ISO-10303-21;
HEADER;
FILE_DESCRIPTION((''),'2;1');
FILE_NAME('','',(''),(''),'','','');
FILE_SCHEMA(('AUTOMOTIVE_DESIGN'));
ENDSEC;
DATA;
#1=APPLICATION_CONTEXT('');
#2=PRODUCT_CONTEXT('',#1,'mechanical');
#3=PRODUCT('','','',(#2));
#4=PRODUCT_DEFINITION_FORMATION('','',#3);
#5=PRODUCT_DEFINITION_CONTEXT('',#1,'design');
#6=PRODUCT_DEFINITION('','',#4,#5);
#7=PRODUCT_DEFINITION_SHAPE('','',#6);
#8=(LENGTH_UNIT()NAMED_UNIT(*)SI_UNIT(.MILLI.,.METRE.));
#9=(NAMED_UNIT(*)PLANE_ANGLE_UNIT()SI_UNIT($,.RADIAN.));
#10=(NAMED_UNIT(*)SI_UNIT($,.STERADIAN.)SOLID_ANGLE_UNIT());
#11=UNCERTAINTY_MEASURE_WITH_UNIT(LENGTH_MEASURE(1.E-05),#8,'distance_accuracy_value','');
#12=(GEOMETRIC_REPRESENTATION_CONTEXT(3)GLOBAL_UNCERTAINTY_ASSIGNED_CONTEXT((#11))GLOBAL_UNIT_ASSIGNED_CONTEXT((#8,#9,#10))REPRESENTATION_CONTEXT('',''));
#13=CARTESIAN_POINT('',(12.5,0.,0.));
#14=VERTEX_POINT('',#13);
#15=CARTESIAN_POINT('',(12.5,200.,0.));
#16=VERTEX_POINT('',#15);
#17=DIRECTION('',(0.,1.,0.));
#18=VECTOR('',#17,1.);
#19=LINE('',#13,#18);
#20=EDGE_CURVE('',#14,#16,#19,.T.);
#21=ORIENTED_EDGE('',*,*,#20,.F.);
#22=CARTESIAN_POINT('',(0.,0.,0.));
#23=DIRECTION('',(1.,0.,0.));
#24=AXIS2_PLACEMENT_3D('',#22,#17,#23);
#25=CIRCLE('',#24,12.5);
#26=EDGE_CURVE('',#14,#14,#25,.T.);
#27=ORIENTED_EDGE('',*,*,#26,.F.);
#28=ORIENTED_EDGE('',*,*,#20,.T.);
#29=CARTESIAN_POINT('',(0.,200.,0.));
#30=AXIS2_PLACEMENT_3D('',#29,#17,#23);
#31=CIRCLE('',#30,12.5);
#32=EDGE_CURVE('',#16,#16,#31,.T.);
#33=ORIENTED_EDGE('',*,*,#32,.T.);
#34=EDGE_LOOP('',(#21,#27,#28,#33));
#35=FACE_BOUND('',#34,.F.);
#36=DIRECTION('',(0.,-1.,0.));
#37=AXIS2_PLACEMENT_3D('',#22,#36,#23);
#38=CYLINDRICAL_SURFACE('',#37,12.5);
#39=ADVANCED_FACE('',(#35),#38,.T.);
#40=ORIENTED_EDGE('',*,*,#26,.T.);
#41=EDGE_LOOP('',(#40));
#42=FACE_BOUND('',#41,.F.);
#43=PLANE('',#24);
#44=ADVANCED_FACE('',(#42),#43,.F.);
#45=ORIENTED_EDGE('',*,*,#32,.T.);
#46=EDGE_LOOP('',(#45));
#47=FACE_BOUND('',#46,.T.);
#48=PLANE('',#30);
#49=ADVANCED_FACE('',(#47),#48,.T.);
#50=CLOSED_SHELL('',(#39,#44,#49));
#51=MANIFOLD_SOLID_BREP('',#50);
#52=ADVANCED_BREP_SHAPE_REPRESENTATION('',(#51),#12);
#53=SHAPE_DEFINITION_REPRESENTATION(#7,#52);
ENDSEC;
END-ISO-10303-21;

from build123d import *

# Parameters (mm, degrees)
CROQUIS1_R              = 12.5
SALIENTE_EXTRUIR1_DEPTH = 200


with BuildPart() as part:
    # Croquis1 → Saliente-Extruir1 (new body)
    with BuildSketch(Plane(origin=(0, 0, 0), x_dir=(1, 0, 0), z_dir=(0, 1, 0))):
        Circle(CROQUIS1_R)
    extrude(amount=SALIENTE_EXTRUIR1_DEPTH)


solid = part.part
